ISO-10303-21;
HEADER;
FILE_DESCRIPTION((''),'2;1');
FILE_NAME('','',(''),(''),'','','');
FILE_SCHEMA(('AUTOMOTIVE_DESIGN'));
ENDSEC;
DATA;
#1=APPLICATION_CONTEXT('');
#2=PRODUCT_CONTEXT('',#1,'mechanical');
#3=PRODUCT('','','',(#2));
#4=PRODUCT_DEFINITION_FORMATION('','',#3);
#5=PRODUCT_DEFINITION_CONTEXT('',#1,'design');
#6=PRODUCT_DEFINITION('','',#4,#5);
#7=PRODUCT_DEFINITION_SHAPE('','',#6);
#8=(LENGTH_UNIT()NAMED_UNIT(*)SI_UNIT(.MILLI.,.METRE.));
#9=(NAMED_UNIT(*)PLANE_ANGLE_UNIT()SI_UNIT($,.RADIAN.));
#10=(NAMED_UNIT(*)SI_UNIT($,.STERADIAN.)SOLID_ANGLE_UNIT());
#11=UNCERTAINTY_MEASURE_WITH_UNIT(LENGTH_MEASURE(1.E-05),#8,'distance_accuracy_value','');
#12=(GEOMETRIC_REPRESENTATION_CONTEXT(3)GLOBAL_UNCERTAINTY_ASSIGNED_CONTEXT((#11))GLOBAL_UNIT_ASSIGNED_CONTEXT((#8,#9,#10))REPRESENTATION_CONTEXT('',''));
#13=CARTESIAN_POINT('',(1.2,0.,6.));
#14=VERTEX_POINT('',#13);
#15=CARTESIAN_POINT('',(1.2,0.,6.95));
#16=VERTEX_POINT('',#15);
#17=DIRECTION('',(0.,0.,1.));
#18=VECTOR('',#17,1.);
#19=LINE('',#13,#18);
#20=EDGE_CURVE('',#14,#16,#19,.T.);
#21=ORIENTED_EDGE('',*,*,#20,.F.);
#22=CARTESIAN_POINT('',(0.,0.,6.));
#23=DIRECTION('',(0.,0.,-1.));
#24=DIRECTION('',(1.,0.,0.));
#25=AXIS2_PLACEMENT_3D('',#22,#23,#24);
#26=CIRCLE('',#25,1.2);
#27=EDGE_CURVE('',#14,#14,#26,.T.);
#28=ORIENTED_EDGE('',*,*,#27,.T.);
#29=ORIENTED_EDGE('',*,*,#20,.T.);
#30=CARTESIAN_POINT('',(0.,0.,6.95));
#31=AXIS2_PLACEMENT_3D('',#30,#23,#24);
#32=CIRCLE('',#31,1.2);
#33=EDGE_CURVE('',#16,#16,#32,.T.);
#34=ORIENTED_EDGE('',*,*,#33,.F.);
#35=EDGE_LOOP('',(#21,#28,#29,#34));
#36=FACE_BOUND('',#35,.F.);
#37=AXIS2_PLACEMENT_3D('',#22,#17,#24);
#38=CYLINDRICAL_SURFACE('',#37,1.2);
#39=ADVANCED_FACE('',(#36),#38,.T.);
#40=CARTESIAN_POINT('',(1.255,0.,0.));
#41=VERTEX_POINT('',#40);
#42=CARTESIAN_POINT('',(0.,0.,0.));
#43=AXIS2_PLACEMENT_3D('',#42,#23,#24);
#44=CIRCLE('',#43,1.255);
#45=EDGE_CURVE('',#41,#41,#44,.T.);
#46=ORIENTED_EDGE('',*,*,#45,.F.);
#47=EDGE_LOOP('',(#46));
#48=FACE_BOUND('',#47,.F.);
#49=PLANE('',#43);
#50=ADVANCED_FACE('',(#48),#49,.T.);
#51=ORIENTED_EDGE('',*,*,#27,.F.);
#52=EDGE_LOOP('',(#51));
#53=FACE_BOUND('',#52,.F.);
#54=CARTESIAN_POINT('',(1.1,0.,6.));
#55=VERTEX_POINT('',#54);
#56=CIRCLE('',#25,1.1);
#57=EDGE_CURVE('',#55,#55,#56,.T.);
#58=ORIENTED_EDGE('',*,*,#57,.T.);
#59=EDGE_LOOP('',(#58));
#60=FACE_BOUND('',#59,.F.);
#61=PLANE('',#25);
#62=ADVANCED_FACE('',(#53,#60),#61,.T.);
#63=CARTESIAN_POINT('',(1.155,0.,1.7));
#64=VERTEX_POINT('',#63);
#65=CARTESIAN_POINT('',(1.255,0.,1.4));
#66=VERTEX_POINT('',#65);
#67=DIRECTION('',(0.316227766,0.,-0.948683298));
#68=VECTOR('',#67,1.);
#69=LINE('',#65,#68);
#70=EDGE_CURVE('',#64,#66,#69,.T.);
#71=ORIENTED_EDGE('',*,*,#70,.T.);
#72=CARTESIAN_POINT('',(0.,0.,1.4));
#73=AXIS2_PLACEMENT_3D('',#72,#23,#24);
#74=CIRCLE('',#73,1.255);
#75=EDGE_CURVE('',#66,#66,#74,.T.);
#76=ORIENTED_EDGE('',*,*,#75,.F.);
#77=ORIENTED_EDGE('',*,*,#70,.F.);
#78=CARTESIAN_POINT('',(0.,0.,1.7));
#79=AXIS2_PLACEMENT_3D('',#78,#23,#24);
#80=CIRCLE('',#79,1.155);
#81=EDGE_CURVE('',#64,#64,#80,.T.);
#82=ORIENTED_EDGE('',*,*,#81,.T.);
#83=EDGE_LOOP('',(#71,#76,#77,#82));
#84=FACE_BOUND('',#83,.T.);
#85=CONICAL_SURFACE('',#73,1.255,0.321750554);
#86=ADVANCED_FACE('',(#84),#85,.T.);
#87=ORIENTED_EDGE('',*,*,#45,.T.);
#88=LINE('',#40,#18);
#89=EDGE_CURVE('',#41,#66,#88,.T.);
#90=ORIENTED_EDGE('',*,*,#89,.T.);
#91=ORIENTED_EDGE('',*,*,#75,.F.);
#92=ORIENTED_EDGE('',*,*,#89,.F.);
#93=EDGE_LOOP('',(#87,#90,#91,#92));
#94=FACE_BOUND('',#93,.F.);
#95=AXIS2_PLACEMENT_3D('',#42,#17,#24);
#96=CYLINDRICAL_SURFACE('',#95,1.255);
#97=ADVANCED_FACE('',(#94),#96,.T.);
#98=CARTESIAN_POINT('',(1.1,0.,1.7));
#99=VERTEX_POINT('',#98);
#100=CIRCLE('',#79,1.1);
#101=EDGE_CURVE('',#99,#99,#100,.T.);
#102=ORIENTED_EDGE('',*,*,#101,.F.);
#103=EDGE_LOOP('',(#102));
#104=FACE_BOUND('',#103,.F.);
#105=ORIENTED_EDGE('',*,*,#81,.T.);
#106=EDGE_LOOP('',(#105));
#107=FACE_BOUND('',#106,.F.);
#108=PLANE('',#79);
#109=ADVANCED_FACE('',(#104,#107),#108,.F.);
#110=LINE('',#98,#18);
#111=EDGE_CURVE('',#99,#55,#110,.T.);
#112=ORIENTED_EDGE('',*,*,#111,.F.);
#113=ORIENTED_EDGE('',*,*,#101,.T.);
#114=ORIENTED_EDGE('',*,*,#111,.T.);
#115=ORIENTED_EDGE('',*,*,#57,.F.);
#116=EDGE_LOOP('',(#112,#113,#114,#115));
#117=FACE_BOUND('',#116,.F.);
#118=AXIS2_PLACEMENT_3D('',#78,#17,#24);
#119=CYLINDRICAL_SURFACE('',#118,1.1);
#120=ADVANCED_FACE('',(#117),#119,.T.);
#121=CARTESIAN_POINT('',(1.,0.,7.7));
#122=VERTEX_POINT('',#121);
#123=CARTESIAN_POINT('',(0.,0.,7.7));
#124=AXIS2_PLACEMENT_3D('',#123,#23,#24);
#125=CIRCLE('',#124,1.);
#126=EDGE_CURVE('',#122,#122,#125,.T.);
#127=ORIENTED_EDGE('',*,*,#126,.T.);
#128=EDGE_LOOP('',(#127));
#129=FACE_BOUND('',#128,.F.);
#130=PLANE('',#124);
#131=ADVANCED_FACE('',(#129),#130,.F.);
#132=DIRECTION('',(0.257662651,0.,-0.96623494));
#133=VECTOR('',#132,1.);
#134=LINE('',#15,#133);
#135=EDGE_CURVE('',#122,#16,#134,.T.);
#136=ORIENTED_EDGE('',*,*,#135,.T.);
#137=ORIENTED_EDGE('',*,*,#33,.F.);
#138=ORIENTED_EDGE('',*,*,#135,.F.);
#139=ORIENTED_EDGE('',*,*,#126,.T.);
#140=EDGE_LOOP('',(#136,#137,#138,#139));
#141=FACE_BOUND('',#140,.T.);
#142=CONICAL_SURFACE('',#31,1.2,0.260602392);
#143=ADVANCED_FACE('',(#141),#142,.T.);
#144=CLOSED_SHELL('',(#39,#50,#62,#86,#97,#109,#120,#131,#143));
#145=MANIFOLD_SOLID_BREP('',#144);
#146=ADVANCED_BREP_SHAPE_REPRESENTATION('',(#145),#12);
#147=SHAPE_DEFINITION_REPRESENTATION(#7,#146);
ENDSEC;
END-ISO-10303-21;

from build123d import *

# Parameters (mm, degrees)
F2_SIZE2 = 0.75
F2_SIZE  = 0.2
F3_SIZE2 = 0.3
F3_SIZE  = 0.1


with BuildPart() as f1:
    # F0 (on Front) → F1 (revolve)
    with BuildSketch(Plane.XZ):
        Polygon((1.2, 7.7), (0, 7.7), (0, 0), (1.255, 0), (1.255, 1.7), (1.1, 1.7), (1.1, 6), (1.2, 6), align=None)
    revolve(axis=Axis((0, 0, 3.85), (0, 0, -1)))

    # F2
    f2_edges = [f1.edges().sort_by_distance(p)[0] for p in [
        (-1.2, 0, 7.7),
    ]]
    chamfer(f2_edges, length=F2_SIZE, length2=F2_SIZE2)

    # F3
    f3_edges = [f1.edges().sort_by_distance(p)[0] for p in [
        (-1.255, 0, 1.7),
    ]]
    chamfer(f3_edges, length=F3_SIZE, length2=F3_SIZE2)


solid = f1.part
